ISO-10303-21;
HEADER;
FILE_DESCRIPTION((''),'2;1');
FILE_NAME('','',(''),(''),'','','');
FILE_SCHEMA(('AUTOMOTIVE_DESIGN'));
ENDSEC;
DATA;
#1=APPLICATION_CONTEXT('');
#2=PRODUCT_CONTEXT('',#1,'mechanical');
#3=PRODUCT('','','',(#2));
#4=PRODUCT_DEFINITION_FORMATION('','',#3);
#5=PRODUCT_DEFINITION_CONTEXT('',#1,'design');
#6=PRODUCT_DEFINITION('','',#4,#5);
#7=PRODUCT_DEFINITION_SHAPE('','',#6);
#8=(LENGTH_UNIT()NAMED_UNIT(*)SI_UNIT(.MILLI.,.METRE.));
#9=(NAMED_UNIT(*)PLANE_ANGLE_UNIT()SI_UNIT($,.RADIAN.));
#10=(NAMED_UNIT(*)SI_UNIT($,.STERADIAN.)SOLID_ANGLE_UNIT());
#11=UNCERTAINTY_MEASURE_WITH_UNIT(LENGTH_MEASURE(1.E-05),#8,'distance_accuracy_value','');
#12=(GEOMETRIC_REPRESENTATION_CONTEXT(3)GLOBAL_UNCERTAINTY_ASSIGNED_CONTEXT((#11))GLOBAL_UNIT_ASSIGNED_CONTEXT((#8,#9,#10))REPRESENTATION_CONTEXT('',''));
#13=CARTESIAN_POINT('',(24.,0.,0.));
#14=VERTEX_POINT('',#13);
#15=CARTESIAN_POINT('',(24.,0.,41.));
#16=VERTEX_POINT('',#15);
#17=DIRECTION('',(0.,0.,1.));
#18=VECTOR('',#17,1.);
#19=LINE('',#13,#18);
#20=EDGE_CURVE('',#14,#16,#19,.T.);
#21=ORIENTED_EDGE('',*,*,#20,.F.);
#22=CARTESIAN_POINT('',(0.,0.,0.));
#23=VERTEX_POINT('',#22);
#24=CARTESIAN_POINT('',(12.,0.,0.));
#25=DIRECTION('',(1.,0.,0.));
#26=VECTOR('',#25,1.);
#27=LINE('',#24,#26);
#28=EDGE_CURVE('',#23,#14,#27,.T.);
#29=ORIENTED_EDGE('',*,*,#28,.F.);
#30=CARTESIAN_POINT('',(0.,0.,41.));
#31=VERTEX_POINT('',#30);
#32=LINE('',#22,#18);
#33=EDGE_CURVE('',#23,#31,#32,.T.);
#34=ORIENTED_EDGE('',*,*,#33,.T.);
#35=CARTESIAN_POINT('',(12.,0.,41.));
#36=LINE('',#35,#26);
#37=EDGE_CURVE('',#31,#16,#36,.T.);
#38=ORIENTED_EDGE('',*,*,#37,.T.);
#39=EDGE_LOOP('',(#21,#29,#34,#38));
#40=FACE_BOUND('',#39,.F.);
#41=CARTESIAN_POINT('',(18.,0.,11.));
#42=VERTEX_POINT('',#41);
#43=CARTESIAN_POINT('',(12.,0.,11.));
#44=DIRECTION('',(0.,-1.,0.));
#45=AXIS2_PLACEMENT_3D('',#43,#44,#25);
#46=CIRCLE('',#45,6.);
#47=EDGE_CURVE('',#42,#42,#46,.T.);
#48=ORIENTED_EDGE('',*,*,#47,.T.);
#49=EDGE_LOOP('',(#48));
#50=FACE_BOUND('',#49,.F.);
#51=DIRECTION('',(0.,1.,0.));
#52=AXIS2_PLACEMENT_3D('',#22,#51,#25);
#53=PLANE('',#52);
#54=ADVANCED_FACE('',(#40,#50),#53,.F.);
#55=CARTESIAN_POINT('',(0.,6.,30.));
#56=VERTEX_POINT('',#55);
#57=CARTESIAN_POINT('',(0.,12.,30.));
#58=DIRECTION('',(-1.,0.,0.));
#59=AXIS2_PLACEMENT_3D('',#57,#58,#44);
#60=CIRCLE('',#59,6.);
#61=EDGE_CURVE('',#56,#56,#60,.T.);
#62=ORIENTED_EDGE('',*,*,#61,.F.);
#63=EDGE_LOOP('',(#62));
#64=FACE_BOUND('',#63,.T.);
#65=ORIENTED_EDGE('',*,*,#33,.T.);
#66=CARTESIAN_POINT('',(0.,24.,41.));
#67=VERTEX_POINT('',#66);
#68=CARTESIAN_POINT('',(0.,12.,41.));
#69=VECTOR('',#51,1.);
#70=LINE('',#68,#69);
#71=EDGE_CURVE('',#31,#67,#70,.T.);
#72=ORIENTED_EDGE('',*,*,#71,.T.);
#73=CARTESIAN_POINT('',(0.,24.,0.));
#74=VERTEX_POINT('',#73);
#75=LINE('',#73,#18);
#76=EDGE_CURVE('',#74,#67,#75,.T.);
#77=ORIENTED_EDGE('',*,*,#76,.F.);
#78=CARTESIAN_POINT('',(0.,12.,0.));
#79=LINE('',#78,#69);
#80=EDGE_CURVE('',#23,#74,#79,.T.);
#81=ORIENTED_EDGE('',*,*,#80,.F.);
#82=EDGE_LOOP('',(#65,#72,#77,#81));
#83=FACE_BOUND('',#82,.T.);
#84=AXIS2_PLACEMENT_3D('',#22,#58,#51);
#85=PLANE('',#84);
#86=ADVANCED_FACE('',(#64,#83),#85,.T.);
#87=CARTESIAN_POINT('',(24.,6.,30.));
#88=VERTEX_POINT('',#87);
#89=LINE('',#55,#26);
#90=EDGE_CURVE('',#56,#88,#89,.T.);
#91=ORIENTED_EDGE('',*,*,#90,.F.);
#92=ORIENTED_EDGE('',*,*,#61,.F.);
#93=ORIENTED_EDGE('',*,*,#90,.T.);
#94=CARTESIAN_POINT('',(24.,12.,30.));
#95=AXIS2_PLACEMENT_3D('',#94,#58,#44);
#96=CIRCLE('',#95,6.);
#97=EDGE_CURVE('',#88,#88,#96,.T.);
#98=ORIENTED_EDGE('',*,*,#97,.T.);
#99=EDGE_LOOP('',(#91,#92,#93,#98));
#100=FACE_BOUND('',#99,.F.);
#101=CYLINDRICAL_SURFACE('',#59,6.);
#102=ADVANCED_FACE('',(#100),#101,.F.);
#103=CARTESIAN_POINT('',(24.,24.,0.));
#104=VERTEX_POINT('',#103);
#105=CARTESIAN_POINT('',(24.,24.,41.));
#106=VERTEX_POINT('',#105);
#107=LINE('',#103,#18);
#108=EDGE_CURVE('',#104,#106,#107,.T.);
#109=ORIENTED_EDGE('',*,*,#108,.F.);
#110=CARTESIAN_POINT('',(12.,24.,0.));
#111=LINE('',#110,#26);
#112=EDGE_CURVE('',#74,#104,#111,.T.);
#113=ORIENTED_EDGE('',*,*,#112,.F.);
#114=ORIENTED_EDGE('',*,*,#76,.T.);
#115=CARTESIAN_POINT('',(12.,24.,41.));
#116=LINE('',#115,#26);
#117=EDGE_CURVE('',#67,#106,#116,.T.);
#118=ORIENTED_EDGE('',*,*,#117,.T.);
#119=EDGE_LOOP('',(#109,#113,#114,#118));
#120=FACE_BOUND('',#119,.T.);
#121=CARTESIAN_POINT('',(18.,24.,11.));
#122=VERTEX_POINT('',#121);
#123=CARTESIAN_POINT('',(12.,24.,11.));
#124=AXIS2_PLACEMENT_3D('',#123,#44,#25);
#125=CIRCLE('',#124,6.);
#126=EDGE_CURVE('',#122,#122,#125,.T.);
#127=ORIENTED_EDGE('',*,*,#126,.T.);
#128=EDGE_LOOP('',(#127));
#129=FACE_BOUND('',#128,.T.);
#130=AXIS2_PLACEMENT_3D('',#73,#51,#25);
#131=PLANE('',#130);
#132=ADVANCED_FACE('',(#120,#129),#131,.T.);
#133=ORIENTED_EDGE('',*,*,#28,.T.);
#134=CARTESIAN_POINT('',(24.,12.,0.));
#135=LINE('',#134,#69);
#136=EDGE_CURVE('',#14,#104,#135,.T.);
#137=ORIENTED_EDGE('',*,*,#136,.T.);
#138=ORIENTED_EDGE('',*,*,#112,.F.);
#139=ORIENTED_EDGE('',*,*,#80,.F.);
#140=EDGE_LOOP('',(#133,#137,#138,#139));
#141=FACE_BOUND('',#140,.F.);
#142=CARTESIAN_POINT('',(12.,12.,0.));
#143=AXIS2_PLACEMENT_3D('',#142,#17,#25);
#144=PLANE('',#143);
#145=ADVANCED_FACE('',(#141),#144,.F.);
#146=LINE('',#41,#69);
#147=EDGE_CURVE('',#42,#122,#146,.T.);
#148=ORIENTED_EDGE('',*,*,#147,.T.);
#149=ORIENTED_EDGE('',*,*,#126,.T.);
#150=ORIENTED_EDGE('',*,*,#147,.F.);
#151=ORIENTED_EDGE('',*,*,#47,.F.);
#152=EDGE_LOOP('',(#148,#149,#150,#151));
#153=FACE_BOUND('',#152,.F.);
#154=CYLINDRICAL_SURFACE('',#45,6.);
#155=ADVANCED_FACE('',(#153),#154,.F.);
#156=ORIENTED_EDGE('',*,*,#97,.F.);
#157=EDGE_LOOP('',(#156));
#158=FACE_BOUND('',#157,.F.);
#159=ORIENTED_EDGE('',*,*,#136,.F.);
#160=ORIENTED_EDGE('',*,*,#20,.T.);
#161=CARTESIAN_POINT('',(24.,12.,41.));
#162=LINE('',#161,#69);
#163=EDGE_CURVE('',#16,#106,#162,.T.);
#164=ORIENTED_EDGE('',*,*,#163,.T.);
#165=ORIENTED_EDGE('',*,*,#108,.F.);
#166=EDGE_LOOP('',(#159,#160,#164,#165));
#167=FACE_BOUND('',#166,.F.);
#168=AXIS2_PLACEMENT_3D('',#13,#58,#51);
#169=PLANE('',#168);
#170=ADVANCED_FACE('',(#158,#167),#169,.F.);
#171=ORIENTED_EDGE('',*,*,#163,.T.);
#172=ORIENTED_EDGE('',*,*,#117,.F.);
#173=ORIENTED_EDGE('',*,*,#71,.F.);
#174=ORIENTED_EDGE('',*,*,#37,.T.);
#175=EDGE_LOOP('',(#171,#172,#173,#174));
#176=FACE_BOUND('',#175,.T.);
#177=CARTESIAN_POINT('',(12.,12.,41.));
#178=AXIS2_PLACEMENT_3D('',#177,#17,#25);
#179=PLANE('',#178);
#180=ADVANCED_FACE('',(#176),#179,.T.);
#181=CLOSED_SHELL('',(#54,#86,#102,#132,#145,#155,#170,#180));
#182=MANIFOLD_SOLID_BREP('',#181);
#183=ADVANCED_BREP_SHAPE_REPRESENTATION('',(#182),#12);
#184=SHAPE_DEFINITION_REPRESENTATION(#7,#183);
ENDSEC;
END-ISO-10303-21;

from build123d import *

# Parameters (mm, degrees)
F0_W     = 24
F0_H     = 24
F1_DEPTH = 41
F2_R     = 6
F3_DEPTH = 25
F4_R     = 6
F5_DEPTH = 25


with BuildPart() as f1:
    # F0 (on Top) → F1 (new body)
    with BuildSketch(Plane.XY):
        with Locations((12, 12)):
            Rectangle(F0_W, F0_H)
    extrude(amount=F1_DEPTH)

    # F2 (on face) → F3 (cut)
    with BuildSketch(Plane.XZ):
        with Locations((12, 11)):
            Circle(F2_R)
    extrude(amount=-F3_DEPTH, mode=Mode.SUBTRACT)

    # F4 (on face) → F5 (cut)
    with BuildSketch(Plane(origin=(0, 0, 0), x_dir=(0, -1, 0), z_dir=(-1, 0, 0))):
        with Locations((-12, 30)):
            Circle(F4_R)
    extrude(amount=-F5_DEPTH, mode=Mode.SUBTRACT)


solid = f1.part
